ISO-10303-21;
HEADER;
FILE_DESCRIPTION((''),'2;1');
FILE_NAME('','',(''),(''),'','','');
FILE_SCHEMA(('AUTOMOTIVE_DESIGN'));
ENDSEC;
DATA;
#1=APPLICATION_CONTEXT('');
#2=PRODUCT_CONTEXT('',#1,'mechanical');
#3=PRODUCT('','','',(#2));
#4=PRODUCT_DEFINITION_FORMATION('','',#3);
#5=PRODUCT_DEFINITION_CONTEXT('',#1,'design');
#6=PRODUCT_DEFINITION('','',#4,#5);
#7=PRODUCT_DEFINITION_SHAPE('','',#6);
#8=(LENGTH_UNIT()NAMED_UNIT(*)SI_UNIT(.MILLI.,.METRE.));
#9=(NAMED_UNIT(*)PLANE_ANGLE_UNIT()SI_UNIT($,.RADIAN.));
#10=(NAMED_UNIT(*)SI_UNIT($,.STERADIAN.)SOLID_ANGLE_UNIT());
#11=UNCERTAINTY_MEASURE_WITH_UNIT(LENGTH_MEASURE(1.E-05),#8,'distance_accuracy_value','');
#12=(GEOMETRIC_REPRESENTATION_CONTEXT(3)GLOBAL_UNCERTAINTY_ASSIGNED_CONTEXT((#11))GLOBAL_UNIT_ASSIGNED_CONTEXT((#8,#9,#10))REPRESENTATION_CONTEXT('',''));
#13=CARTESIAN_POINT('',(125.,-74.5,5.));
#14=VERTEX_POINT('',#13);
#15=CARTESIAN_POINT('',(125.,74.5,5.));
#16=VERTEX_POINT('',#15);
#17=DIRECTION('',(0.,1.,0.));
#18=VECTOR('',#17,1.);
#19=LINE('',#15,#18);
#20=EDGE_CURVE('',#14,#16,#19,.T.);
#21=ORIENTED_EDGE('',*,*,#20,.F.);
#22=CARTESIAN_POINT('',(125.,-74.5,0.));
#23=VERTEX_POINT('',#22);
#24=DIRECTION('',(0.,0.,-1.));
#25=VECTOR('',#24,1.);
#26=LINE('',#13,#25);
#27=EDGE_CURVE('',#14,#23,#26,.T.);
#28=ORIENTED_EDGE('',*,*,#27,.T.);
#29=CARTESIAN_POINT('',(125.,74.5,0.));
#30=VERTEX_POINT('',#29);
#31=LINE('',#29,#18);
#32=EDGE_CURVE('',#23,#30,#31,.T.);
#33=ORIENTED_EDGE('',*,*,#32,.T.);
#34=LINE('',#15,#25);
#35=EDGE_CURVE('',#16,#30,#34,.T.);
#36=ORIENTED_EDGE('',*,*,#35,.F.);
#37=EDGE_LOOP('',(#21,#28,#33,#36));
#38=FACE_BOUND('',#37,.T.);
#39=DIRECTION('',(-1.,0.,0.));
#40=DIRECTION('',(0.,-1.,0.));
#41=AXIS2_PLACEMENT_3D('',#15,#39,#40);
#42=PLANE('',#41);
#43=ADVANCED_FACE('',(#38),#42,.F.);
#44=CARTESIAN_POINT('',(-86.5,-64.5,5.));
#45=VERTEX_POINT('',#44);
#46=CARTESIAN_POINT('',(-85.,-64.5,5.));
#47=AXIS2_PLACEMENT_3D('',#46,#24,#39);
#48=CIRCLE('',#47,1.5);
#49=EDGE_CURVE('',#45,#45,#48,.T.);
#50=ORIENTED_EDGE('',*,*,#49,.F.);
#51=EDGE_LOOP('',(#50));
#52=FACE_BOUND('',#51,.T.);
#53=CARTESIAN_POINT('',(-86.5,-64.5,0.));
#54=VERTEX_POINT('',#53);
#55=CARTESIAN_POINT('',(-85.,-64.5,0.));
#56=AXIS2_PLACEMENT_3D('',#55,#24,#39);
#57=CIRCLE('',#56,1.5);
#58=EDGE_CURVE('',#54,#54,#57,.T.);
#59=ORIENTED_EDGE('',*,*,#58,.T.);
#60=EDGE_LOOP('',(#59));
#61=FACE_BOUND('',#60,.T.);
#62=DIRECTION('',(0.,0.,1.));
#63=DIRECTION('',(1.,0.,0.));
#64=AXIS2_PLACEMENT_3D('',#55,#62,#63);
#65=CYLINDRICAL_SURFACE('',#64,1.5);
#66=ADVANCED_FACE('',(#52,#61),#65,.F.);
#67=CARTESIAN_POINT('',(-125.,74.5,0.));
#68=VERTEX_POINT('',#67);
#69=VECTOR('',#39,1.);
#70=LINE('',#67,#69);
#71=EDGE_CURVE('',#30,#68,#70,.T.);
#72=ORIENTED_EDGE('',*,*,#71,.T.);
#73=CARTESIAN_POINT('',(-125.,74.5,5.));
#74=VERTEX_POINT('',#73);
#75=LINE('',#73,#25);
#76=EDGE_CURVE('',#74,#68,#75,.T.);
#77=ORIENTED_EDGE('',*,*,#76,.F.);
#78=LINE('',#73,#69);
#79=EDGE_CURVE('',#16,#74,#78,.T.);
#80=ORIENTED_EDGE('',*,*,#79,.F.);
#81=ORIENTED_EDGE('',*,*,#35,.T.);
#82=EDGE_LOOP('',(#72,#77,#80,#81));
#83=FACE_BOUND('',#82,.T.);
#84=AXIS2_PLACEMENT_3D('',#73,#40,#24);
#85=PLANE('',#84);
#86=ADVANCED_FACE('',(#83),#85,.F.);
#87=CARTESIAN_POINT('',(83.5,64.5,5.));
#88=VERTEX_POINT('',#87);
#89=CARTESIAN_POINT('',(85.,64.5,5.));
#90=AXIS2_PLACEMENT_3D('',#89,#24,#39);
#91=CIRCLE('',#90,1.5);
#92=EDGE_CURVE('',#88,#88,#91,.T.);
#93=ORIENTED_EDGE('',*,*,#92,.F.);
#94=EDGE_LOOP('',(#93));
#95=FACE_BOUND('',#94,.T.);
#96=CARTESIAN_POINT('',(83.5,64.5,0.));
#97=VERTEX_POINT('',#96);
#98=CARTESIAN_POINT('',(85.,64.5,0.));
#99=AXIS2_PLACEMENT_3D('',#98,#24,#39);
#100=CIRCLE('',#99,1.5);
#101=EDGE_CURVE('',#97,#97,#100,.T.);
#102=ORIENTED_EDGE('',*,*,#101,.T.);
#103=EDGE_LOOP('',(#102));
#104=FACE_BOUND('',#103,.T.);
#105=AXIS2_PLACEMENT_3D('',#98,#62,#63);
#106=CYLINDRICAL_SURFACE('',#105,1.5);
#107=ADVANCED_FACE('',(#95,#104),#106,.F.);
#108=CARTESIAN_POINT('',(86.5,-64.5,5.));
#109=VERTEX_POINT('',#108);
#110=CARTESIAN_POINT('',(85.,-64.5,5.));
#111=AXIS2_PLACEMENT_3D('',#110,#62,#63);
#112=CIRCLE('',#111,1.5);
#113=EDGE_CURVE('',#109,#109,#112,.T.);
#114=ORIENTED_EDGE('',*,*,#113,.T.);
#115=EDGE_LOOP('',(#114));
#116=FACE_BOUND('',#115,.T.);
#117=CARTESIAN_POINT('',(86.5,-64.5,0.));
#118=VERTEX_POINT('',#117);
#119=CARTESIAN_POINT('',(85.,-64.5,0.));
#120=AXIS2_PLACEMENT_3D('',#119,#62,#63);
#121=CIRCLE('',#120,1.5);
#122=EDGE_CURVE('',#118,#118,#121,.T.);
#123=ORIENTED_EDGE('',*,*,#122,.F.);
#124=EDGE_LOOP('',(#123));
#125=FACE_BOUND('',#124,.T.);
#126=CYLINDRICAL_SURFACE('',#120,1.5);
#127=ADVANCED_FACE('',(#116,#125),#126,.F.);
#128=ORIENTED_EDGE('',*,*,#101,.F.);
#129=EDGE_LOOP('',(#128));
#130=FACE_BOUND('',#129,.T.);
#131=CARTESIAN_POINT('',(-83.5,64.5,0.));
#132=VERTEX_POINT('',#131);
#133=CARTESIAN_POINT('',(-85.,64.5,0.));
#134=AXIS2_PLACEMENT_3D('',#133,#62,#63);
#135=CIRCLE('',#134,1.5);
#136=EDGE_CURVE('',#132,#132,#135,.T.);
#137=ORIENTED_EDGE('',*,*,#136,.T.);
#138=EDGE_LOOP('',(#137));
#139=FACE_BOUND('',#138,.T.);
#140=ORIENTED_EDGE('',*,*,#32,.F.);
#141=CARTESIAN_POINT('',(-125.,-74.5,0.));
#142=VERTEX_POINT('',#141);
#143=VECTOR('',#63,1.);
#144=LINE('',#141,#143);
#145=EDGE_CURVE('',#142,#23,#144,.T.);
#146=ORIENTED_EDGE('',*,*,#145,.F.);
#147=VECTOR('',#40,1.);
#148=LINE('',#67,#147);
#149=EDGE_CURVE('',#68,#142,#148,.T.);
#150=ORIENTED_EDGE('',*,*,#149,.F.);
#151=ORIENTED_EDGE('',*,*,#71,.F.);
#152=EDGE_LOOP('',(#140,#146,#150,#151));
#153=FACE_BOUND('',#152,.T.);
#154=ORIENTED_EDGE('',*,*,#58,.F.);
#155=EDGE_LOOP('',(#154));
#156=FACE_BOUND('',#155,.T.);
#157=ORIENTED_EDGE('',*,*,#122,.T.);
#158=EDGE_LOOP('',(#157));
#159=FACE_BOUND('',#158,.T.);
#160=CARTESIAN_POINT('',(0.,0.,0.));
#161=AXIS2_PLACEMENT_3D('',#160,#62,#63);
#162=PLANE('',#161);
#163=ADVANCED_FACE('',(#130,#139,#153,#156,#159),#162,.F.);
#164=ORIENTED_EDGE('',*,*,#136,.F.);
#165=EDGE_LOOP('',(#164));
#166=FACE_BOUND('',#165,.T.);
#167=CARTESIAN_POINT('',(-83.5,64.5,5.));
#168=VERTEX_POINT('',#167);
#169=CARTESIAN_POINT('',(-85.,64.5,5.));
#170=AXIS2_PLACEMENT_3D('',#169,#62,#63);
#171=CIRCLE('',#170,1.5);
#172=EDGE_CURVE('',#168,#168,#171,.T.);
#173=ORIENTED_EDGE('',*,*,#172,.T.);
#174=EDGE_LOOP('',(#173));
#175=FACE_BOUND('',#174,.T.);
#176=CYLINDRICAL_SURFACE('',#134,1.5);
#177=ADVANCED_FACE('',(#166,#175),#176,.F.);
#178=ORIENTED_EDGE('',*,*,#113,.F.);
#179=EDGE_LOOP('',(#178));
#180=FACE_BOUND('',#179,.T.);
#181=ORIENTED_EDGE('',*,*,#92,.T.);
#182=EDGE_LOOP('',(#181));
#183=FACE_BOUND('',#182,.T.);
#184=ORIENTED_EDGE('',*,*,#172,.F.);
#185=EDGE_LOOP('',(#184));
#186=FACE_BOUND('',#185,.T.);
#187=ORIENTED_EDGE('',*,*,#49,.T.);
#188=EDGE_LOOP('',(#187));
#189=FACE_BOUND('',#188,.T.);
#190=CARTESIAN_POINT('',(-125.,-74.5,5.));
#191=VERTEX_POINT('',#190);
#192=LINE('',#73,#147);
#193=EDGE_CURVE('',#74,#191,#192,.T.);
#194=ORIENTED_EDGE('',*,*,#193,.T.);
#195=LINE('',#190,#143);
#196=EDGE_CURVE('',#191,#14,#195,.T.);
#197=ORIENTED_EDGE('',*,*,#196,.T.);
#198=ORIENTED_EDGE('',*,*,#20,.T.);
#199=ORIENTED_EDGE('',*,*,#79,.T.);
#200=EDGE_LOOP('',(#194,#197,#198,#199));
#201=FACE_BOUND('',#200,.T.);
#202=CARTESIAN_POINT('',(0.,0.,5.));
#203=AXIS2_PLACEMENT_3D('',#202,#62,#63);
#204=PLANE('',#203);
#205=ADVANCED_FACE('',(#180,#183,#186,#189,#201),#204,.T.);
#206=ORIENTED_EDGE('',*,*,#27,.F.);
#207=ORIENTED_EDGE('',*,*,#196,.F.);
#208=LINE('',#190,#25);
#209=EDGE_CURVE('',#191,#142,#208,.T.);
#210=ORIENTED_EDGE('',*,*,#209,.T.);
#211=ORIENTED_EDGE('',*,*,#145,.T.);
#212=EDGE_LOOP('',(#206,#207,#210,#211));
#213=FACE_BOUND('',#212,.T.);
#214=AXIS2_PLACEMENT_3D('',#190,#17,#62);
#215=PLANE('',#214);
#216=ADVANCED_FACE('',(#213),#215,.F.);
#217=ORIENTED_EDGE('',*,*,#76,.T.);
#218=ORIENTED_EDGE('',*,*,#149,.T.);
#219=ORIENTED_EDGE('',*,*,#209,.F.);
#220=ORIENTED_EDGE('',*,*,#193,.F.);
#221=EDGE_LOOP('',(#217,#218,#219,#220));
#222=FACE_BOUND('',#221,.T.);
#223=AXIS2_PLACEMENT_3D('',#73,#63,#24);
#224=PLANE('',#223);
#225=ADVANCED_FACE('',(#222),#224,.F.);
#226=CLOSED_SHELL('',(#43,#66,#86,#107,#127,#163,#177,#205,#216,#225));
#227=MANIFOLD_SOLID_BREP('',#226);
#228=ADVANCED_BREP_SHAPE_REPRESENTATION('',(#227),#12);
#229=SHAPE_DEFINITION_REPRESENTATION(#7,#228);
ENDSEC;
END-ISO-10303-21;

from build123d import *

# Parameters (mm, degrees)
ESQUISSE1_W             = 250
ESQUISSE1_H             = 149
BOSS_EXTRU_1_DEPTH      = 5
ESQUISSE2_R             = 1.5
ENL_V_MAT_EXTRU_2_DEPTH = 5


with BuildPart() as part:
    # Esquisse1 → Boss.-Extru.1 (new body)
    with BuildSketch(Plane.XY):
        Rectangle(ESQUISSE1_W, ESQUISSE1_H)
    extrude(amount=BOSS_EXTRU_1_DEPTH)

    # Esquisse2 → Enlèv. mat.-Extru.2 (cut)
    with BuildSketch(Plane.XY.offset(5)):
        with Locations((-85, 64.5)):
            Circle(ESQUISSE2_R)
        with Locations(Location((-85, -64.5, 0), (0, 0, 180))):
            Circle(ESQUISSE2_R)
        with Locations((85, -64.5)):
            Circle(ESQUISSE2_R)
        with Locations(Location((85, 64.5, 0), (0, 0, 180))):
            Circle(ESQUISSE2_R)
    extrude(amount=-ENL_V_MAT_EXTRU_2_DEPTH, mode=Mode.SUBTRACT)


solid = part.part
